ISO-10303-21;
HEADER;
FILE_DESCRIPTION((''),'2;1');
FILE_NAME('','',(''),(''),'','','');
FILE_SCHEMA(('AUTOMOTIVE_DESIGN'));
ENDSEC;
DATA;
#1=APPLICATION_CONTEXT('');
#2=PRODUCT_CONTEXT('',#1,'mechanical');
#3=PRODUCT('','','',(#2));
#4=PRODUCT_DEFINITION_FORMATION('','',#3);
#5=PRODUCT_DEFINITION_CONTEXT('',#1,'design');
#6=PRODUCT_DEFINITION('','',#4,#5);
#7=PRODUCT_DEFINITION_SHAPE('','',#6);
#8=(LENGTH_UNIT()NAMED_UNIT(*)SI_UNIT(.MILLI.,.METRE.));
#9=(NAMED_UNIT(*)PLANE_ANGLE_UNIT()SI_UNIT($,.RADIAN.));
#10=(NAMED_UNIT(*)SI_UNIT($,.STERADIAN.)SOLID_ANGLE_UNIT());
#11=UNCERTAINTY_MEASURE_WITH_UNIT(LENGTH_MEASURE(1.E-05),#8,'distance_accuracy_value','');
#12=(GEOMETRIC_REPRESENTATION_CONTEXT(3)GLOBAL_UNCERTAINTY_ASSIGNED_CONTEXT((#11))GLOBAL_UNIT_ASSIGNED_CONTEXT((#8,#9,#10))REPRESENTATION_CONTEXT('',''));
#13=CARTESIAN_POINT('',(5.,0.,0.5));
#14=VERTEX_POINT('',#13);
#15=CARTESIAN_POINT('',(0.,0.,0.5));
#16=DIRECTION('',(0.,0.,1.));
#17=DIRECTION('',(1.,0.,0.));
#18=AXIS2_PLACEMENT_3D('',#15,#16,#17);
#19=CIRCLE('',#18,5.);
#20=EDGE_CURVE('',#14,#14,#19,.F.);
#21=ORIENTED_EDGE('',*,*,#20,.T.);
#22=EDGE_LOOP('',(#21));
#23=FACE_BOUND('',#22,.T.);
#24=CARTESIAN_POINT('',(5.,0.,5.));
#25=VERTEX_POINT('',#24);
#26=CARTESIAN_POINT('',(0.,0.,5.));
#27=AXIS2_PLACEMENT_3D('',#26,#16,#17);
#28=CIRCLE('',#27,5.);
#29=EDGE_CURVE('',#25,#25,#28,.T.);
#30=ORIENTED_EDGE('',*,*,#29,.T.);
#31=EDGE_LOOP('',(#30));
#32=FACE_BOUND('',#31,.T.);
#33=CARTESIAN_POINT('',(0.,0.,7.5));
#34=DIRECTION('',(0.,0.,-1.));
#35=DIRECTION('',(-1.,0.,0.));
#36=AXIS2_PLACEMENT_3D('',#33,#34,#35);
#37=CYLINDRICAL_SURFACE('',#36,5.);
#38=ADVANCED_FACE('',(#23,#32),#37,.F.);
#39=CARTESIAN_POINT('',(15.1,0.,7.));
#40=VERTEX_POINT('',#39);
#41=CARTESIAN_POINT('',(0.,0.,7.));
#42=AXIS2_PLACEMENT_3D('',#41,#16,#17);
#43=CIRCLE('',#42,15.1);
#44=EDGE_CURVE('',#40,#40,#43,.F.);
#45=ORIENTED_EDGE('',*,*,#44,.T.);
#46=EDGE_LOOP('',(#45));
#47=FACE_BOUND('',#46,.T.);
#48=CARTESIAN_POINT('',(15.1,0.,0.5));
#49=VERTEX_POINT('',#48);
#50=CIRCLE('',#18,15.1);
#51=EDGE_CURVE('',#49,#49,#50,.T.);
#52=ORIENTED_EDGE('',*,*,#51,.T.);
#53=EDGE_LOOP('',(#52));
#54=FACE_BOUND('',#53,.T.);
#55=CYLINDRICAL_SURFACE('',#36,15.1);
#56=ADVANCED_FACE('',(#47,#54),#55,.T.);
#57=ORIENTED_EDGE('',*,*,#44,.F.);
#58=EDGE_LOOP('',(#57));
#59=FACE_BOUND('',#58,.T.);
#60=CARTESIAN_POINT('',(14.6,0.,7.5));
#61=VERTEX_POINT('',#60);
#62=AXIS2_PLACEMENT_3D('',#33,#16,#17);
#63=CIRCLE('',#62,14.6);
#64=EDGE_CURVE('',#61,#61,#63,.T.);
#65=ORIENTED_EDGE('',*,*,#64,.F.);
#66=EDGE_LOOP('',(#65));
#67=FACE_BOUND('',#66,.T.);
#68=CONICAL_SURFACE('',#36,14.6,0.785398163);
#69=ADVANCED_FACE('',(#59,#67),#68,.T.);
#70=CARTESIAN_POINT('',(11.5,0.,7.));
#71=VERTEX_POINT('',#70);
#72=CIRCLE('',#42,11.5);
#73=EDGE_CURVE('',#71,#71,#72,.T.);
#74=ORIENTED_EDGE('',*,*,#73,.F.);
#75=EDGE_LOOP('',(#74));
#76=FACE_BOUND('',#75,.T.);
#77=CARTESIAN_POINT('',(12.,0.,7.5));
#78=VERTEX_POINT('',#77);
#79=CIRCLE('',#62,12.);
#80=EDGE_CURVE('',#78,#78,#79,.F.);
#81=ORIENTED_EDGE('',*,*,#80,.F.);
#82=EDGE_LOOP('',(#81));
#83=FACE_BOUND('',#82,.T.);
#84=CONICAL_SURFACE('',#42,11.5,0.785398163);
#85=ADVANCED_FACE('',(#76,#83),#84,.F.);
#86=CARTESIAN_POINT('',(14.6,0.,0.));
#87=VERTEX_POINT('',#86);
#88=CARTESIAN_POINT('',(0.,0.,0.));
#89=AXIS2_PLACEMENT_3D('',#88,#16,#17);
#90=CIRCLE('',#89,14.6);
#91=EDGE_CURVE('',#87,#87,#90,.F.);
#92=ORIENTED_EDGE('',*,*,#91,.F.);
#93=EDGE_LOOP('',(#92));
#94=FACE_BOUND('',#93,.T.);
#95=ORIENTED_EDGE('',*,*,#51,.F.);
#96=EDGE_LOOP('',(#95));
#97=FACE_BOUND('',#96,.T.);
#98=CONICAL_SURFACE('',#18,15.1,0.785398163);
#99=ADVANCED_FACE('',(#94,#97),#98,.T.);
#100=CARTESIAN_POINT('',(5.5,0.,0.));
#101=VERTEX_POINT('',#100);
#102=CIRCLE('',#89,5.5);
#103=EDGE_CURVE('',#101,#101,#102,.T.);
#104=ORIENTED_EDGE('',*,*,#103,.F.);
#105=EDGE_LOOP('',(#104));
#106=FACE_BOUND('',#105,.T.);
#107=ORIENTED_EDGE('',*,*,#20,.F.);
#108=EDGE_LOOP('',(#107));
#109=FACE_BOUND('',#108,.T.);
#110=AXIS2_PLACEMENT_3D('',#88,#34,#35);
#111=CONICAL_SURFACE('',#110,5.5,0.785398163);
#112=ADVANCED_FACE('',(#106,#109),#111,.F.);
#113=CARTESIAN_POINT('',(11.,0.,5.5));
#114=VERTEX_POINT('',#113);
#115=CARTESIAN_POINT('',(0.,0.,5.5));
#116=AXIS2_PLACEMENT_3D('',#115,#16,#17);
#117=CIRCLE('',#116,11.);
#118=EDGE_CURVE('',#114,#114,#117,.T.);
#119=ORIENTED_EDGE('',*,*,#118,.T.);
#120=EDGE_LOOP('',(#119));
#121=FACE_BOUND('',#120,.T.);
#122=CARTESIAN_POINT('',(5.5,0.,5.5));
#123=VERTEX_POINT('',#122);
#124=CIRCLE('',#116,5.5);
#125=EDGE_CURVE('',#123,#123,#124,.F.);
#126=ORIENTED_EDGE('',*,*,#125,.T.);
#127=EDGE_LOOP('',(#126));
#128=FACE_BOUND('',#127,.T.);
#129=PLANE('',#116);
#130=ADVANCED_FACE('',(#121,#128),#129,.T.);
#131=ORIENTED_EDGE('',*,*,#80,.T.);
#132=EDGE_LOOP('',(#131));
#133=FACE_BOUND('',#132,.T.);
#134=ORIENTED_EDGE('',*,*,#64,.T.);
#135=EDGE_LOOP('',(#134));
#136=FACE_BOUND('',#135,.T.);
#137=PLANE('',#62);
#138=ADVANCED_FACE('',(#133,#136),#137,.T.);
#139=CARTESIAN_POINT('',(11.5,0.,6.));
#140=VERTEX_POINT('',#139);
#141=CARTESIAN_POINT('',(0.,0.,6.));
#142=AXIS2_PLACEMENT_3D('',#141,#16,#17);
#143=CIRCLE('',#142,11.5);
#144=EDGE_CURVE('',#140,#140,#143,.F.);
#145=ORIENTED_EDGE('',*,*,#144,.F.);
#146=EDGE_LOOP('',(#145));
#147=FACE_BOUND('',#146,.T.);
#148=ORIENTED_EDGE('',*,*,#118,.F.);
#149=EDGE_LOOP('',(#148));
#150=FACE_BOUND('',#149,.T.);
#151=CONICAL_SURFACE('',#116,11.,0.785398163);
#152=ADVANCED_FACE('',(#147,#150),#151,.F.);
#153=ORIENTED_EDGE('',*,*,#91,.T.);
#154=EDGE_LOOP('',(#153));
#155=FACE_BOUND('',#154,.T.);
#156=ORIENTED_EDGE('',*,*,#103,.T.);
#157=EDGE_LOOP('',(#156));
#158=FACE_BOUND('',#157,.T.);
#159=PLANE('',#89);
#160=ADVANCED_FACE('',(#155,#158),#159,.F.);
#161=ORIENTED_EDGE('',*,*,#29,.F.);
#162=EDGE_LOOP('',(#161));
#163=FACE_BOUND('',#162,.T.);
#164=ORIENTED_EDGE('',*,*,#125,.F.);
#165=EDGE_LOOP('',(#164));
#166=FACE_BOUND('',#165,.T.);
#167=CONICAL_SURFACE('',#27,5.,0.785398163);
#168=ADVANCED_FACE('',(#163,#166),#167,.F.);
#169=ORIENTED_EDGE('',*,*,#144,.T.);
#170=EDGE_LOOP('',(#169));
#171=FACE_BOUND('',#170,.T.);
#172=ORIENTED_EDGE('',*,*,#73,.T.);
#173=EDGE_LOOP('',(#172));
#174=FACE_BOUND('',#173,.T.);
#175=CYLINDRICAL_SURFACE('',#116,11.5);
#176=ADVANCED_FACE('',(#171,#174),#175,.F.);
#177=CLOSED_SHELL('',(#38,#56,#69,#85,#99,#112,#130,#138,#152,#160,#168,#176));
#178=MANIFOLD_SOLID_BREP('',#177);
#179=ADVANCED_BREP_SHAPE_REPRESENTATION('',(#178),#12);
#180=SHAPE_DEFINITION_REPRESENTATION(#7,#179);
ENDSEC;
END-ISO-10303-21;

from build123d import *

# Parameters (mm, degrees)
SKETCH2_R           = 15.1
SKETCH2_R_2         = 5
BOSS_EXTRUDE1_DEPTH = 7.5
SKETCH3_R           = 11.5
CUT_EXTRUDE1_DEPTH  = 2
CHAMFER1_SIZE       = 0.5


with BuildPart() as part:
    # Sketch2 → Boss-Extrude1 (new body)
    with BuildSketch(Plane.XY):
        Circle(SKETCH2_R)
        Circle(SKETCH2_R_2, mode=Mode.SUBTRACT)
    extrude(amount=BOSS_EXTRUDE1_DEPTH)

    # Sketch3 → Cut-Extrude1 (cut)
    with BuildSketch(Plane.XY.offset(7.5)):
        Circle(SKETCH3_R)
    extrude(amount=-CUT_EXTRUDE1_DEPTH, mode=Mode.SUBTRACT)

    # Chamfer1
    chamfer1_edges = [part.edges().sort_by_distance(p)[0] for p in [
        (-11.5, 0, 5.5),
        (-5, 0, 5.5),
        (-11.5, 0, 7.5),
        (-15.1, 0, 0),
        (-15.1, 0, 7.5),
        (-5, 0, 0),
    ]]
    chamfer(chamfer1_edges, length=CHAMFER1_SIZE)


solid = part.part
